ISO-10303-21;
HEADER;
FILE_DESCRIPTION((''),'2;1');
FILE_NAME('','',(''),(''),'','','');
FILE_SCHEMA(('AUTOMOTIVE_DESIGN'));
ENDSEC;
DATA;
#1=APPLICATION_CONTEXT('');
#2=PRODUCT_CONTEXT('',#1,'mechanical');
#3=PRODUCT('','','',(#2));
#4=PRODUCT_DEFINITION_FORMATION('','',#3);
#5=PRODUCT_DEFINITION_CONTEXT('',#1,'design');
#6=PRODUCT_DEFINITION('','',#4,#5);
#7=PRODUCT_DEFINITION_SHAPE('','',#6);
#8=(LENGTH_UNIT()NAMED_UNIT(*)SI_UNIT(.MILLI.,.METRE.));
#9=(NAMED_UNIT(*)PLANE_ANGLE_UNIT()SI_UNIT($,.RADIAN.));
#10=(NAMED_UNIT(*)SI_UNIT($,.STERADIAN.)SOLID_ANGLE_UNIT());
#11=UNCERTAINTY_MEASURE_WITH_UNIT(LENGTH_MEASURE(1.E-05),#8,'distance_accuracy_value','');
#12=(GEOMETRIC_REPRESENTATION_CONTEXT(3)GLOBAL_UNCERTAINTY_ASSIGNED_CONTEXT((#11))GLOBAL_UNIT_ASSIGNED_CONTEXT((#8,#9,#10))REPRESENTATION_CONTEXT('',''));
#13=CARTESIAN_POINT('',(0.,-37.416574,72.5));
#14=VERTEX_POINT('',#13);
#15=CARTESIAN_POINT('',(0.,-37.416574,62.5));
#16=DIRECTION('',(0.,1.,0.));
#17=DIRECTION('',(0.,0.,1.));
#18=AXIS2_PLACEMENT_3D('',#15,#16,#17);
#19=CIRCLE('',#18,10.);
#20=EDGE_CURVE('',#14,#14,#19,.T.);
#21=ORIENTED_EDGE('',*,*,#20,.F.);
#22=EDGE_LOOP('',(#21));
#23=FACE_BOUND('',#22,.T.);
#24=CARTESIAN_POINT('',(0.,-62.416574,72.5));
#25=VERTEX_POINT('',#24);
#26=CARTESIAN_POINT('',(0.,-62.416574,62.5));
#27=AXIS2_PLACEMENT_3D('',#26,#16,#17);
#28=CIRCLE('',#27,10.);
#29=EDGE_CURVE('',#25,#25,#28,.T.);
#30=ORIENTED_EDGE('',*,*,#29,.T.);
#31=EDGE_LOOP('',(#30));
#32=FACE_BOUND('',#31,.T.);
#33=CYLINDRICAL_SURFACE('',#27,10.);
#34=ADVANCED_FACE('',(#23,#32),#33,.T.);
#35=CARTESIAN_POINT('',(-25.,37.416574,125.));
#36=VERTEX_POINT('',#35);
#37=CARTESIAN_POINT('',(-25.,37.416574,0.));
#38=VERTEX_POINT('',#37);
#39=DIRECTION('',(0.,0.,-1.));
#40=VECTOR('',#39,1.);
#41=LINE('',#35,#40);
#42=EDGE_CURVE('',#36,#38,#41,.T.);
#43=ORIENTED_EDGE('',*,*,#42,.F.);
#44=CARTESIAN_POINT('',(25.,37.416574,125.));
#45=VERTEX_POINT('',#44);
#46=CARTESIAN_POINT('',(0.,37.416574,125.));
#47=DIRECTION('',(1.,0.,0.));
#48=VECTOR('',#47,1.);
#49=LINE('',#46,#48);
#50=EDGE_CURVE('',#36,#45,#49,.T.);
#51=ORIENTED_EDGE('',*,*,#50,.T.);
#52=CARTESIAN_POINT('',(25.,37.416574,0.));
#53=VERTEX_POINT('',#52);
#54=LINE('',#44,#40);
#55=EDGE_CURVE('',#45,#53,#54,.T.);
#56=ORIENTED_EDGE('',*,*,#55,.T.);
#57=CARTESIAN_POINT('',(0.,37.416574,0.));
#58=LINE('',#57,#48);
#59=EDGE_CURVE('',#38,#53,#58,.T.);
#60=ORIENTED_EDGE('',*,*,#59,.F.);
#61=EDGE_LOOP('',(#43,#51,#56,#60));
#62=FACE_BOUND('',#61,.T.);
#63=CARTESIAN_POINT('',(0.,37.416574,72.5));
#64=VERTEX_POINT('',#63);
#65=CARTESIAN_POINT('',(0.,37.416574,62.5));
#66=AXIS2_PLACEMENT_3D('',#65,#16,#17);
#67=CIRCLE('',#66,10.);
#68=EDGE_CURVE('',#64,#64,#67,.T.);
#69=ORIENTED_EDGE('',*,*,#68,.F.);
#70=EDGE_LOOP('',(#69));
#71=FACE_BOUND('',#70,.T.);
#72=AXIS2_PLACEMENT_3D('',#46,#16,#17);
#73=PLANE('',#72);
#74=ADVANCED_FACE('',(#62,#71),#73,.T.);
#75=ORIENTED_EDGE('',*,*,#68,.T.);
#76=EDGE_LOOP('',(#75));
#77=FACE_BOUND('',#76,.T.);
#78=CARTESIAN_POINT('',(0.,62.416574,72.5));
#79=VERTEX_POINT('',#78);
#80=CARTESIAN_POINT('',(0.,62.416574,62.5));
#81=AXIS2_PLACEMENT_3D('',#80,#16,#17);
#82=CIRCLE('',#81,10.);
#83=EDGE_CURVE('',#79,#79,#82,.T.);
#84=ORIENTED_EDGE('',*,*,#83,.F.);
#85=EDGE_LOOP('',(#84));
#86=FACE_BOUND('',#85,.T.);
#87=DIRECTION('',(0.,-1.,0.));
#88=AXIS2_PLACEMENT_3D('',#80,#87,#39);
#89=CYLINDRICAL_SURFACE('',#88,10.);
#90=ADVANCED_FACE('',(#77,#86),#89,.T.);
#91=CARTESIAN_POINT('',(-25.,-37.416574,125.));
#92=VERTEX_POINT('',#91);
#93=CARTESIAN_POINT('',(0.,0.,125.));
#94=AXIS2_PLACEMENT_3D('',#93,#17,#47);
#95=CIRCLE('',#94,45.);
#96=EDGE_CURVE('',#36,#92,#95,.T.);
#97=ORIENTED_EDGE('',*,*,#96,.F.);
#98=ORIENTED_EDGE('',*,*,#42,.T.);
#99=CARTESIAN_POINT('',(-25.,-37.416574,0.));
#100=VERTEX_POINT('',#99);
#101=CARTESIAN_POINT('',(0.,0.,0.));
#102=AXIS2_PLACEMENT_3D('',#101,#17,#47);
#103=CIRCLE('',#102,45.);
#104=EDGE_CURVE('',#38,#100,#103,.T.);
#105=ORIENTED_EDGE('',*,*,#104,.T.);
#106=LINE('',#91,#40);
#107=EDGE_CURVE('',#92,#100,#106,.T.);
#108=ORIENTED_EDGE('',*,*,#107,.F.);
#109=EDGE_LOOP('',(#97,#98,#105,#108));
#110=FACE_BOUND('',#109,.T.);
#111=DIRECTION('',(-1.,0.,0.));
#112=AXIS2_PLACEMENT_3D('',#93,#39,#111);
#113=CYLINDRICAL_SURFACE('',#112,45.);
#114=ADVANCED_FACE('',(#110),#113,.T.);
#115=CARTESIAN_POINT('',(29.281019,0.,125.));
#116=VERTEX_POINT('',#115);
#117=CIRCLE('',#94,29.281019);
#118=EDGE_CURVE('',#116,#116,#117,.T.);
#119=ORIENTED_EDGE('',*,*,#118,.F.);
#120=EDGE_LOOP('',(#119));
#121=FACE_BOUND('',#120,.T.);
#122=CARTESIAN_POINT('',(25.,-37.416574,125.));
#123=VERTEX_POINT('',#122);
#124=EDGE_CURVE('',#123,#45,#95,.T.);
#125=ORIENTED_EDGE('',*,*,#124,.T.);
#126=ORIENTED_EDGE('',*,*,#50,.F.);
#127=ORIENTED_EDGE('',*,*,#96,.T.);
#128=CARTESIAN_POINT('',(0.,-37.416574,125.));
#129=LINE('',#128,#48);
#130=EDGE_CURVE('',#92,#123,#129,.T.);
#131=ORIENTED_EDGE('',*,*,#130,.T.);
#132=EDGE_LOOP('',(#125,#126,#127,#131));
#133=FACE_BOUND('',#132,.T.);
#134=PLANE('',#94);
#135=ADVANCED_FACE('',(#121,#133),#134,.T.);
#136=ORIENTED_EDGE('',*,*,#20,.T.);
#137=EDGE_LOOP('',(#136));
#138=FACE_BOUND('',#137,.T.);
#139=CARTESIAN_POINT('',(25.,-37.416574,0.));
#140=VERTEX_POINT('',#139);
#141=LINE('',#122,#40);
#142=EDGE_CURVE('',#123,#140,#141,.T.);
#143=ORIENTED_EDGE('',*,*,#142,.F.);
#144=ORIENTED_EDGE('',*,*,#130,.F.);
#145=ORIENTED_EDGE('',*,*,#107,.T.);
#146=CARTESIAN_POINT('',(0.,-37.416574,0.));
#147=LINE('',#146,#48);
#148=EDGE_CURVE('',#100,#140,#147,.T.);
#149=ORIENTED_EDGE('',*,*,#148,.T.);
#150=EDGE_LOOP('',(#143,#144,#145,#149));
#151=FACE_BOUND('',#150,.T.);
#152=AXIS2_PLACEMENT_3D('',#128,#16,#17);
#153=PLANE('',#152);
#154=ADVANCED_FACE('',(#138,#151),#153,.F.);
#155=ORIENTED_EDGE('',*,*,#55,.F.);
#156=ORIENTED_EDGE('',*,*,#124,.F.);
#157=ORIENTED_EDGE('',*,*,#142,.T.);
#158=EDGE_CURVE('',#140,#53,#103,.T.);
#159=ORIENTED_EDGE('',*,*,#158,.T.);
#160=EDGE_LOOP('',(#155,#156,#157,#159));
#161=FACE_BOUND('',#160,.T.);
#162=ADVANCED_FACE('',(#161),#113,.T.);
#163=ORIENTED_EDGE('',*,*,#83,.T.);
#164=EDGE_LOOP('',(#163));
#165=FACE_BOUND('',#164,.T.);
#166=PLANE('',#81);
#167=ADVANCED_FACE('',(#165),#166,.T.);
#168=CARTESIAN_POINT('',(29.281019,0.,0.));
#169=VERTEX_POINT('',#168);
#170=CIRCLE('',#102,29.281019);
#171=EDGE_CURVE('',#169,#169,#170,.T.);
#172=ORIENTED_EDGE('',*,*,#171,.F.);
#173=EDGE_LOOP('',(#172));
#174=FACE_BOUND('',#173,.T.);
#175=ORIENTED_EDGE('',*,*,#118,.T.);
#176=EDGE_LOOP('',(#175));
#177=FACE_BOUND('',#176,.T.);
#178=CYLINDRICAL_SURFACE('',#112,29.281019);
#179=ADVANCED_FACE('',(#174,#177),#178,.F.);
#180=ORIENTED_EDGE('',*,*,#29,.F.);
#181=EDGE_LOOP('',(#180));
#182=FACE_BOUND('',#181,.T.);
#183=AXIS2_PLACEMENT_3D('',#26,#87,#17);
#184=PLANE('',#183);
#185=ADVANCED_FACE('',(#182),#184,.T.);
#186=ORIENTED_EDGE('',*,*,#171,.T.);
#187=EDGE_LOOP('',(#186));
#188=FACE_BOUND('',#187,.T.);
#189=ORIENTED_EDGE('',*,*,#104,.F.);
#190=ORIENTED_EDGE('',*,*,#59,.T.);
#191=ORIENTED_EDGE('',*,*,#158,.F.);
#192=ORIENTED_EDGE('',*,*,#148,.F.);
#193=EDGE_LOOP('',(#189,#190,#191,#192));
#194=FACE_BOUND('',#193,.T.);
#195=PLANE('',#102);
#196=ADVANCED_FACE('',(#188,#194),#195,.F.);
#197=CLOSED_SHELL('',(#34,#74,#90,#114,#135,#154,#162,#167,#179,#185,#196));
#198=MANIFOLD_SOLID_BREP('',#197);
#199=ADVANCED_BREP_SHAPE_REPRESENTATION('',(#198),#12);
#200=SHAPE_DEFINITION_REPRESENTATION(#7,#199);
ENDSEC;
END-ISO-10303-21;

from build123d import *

# Parameters (mm, degrees)
ESQUISSE1_R        = 29.281018542
BOSS_EXTRU_1_DEPTH = 125
ESQUISSE2_R        = 10
BOSS_EXTRU_2_DEPTH = 25


with BuildPart() as part:
    # Esquisse1 → Boss.-Extru.1 (new body)
    with BuildSketch(Plane.XY):
        with BuildLine():
            Line((25, 37.416573868), (-25, 37.416573868))
            ThreePointArc((-25, 37.416573868), (-45, 0), (-25, -37.416573868))
            Line((-25, -37.416573868), (25, -37.416573868))
            ThreePointArc((25, -37.416573868), (39.686269666, -21.213203436), (45, 0))
            ThreePointArc((45, 0), (39.686269666, 21.213203436), (25, 37.416573868))
        make_face()
        Circle(ESQUISSE1_R, mode=Mode.SUBTRACT)
    extrude(amount=BOSS_EXTRU_1_DEPTH)

    # Esquisse2 → Boss.-Extru.2 (add)
    with BuildSketch(Plane(origin=(0, 37.416573868, 0), x_dir=(1, 0, 0), z_dir=(0, 1, 0))):
        with Locations(Location((0, -62.5, 0), (0, 0, 270))):
            Circle(ESQUISSE2_R)
    boss_extru_2 = extrude(amount=BOSS_EXTRU_2_DEPTH)

    # Symétrie1: Boss.-Extru.2 across plane
    add(boss_extru_2.mirror(Plane.ZX))


solid = part.part
